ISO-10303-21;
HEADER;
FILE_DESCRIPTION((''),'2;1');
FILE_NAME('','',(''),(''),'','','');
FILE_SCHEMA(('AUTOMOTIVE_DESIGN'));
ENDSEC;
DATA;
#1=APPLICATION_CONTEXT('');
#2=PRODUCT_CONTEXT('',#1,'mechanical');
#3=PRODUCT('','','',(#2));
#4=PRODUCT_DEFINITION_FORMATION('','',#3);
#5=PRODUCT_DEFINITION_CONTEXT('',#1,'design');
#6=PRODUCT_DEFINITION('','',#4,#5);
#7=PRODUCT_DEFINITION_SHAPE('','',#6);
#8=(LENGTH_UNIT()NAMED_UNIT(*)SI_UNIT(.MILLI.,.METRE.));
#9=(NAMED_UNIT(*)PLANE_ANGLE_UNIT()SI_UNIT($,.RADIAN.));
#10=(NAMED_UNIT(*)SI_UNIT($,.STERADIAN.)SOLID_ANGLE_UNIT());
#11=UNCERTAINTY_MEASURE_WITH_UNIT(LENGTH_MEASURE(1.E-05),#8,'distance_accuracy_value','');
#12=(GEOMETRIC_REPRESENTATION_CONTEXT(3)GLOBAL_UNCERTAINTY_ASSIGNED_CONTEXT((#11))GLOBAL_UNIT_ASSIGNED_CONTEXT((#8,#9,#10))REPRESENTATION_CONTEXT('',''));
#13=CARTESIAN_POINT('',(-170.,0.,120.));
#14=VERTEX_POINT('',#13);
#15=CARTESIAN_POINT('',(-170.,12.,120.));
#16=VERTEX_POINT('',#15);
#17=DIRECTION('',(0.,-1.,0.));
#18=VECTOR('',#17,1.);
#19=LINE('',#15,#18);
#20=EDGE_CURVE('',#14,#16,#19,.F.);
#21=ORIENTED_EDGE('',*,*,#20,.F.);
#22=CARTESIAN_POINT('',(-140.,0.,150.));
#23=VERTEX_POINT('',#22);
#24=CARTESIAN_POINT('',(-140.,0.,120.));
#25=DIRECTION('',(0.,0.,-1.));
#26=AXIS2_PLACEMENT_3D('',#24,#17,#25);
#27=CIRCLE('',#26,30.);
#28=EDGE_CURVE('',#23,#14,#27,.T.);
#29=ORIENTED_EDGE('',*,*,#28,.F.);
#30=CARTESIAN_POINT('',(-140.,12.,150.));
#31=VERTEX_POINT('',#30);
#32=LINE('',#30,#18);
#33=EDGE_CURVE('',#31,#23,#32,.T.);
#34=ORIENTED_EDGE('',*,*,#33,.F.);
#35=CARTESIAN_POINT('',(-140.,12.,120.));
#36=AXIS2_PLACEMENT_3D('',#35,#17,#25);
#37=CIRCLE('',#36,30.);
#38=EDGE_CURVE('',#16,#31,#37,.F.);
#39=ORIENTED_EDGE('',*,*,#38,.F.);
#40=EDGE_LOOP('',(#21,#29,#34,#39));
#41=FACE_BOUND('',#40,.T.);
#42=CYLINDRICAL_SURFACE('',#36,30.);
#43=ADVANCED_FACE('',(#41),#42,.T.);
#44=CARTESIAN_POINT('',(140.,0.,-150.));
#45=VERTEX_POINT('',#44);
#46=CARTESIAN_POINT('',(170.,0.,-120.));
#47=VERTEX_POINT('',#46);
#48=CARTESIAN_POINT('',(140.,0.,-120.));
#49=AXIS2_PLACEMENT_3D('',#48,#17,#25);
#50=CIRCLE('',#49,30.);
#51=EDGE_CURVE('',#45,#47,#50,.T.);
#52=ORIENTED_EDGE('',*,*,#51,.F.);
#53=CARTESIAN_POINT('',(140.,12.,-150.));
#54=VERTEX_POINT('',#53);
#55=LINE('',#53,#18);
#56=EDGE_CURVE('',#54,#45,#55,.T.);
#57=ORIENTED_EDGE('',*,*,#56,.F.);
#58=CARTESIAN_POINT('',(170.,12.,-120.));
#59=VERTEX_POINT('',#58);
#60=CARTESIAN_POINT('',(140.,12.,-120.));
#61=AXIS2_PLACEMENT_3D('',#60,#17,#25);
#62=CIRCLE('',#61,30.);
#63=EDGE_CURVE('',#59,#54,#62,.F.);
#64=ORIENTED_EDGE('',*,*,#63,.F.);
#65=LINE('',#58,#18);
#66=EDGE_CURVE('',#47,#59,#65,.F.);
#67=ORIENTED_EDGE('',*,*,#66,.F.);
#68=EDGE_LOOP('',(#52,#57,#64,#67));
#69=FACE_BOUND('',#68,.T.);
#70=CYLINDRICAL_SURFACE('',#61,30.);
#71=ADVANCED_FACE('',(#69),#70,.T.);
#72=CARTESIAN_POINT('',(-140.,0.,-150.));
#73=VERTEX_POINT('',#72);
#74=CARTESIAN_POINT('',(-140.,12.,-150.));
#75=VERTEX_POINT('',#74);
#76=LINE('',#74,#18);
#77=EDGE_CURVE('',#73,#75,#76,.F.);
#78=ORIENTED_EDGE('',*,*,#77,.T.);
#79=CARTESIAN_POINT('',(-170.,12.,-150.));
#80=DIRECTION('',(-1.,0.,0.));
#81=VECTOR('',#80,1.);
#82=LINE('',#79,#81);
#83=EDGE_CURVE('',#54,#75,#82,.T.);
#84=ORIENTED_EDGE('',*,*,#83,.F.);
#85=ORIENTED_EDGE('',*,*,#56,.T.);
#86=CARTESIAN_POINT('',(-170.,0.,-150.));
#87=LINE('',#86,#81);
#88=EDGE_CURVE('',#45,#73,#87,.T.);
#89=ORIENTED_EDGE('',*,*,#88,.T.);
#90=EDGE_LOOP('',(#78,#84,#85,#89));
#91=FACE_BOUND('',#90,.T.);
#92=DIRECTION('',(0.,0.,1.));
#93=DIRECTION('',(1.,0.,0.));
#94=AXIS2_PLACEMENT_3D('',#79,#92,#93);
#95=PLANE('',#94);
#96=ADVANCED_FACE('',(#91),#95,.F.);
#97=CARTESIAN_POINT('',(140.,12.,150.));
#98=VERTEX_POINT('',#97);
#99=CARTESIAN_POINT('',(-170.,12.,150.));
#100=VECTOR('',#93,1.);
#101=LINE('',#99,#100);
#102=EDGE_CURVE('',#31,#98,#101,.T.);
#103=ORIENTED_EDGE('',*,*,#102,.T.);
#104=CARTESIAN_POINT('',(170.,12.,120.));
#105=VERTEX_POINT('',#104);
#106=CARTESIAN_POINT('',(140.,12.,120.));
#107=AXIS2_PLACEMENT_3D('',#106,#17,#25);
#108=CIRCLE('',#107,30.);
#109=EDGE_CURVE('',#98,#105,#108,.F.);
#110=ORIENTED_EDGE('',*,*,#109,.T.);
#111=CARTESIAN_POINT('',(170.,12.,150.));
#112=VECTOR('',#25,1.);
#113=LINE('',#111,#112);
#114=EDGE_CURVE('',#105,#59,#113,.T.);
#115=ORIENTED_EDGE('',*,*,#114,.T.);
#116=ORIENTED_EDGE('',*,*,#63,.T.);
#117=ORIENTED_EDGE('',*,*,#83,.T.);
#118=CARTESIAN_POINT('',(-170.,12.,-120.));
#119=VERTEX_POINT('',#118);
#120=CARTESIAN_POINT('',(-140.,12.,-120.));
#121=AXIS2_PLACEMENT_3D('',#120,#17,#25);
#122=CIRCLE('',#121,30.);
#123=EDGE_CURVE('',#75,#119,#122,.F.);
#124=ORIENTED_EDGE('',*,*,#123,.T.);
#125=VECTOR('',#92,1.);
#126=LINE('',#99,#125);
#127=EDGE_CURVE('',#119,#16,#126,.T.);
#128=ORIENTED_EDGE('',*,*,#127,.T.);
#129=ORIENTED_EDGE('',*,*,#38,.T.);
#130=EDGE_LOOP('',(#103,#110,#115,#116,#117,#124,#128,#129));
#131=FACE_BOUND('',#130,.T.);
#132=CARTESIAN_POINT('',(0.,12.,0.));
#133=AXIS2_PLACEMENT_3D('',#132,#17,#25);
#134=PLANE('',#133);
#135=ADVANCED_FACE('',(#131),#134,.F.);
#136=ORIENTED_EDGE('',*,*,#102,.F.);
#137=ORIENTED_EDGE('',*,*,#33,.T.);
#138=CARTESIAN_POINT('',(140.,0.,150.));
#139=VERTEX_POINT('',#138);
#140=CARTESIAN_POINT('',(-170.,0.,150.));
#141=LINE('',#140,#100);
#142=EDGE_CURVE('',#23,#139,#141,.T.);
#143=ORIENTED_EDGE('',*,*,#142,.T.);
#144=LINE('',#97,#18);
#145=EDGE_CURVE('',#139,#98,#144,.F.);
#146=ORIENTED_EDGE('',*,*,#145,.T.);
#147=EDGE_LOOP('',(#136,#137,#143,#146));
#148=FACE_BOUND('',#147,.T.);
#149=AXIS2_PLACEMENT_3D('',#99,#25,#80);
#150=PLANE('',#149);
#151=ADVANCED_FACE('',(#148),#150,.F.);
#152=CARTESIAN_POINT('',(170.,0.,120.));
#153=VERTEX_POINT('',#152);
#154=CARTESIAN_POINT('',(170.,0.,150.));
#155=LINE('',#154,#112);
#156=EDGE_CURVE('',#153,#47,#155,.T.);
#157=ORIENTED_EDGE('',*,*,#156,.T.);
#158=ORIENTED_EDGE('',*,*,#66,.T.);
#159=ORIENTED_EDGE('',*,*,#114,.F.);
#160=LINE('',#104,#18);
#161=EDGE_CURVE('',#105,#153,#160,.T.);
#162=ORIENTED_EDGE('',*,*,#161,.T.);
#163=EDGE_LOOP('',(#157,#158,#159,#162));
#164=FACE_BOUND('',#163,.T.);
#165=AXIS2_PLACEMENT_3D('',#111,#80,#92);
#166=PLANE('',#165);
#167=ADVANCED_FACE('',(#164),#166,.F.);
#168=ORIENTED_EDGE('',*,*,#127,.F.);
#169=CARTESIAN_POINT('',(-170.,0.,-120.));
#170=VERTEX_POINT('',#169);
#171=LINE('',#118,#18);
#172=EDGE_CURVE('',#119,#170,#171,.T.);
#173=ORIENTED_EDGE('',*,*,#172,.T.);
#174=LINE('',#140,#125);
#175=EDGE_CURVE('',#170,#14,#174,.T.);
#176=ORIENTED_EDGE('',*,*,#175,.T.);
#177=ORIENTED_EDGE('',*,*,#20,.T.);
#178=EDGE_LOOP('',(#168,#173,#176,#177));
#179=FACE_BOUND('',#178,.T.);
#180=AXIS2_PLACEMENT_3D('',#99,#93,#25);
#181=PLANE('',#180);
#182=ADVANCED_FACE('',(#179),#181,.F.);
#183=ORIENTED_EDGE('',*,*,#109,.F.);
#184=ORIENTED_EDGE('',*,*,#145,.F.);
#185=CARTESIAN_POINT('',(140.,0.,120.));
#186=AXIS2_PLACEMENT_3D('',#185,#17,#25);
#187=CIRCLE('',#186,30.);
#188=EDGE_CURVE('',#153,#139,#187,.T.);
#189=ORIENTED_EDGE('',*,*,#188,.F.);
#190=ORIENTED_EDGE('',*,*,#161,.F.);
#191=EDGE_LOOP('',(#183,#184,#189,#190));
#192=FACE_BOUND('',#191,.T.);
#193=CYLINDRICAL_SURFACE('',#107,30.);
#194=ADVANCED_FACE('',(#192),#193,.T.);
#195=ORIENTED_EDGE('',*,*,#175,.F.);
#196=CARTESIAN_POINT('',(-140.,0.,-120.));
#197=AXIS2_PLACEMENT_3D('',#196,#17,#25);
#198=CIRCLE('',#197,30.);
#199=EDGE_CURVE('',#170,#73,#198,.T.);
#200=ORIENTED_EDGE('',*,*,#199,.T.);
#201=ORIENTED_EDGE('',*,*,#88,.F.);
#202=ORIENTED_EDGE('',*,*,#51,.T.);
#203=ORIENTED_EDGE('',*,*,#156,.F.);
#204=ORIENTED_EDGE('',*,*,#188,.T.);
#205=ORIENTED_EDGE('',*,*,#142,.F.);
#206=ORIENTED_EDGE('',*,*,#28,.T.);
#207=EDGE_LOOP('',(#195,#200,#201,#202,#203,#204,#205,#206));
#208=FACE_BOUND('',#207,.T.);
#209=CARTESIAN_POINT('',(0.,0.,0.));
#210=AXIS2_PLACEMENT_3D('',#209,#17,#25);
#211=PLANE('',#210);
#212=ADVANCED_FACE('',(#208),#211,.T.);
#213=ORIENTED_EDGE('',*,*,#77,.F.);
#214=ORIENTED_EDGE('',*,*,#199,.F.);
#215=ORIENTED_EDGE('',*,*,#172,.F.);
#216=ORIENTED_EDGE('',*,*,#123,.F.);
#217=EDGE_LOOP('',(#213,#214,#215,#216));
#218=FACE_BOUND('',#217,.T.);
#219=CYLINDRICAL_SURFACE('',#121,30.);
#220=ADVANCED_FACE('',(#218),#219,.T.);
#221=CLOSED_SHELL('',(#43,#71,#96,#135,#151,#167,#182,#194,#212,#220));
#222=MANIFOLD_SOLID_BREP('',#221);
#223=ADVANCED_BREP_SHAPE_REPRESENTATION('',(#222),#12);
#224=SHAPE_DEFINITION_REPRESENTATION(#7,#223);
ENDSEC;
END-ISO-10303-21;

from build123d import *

# Parameters (mm, degrees)
ESBO_O1_W                = 340
ESBO_O1_H                = 300
RESSALTO_EXTRUS_O1_DEPTH = 12
FILETE1_R                = 30


with BuildPart() as part:
    # Esboço1 → Ressalto-extrusão1 (new body)
    with BuildSketch(Plane(origin=(0, 0, 0), x_dir=(1, 0, 0), z_dir=(0, 1, 0))):
        Rectangle(ESBO_O1_W, ESBO_O1_H)
    extrude(amount=RESSALTO_EXTRUS_O1_DEPTH)

    # Filete1
    filete1_edges = [part.edges().sort_by_distance(p)[0] for p in [
        (170, 6, 150),
        (-170, 6, 150),
        (-170, 6, -150),
        (170, 6, -150),
    ]]
    fillet(filete1_edges, radius=FILETE1_R)


solid = part.part
